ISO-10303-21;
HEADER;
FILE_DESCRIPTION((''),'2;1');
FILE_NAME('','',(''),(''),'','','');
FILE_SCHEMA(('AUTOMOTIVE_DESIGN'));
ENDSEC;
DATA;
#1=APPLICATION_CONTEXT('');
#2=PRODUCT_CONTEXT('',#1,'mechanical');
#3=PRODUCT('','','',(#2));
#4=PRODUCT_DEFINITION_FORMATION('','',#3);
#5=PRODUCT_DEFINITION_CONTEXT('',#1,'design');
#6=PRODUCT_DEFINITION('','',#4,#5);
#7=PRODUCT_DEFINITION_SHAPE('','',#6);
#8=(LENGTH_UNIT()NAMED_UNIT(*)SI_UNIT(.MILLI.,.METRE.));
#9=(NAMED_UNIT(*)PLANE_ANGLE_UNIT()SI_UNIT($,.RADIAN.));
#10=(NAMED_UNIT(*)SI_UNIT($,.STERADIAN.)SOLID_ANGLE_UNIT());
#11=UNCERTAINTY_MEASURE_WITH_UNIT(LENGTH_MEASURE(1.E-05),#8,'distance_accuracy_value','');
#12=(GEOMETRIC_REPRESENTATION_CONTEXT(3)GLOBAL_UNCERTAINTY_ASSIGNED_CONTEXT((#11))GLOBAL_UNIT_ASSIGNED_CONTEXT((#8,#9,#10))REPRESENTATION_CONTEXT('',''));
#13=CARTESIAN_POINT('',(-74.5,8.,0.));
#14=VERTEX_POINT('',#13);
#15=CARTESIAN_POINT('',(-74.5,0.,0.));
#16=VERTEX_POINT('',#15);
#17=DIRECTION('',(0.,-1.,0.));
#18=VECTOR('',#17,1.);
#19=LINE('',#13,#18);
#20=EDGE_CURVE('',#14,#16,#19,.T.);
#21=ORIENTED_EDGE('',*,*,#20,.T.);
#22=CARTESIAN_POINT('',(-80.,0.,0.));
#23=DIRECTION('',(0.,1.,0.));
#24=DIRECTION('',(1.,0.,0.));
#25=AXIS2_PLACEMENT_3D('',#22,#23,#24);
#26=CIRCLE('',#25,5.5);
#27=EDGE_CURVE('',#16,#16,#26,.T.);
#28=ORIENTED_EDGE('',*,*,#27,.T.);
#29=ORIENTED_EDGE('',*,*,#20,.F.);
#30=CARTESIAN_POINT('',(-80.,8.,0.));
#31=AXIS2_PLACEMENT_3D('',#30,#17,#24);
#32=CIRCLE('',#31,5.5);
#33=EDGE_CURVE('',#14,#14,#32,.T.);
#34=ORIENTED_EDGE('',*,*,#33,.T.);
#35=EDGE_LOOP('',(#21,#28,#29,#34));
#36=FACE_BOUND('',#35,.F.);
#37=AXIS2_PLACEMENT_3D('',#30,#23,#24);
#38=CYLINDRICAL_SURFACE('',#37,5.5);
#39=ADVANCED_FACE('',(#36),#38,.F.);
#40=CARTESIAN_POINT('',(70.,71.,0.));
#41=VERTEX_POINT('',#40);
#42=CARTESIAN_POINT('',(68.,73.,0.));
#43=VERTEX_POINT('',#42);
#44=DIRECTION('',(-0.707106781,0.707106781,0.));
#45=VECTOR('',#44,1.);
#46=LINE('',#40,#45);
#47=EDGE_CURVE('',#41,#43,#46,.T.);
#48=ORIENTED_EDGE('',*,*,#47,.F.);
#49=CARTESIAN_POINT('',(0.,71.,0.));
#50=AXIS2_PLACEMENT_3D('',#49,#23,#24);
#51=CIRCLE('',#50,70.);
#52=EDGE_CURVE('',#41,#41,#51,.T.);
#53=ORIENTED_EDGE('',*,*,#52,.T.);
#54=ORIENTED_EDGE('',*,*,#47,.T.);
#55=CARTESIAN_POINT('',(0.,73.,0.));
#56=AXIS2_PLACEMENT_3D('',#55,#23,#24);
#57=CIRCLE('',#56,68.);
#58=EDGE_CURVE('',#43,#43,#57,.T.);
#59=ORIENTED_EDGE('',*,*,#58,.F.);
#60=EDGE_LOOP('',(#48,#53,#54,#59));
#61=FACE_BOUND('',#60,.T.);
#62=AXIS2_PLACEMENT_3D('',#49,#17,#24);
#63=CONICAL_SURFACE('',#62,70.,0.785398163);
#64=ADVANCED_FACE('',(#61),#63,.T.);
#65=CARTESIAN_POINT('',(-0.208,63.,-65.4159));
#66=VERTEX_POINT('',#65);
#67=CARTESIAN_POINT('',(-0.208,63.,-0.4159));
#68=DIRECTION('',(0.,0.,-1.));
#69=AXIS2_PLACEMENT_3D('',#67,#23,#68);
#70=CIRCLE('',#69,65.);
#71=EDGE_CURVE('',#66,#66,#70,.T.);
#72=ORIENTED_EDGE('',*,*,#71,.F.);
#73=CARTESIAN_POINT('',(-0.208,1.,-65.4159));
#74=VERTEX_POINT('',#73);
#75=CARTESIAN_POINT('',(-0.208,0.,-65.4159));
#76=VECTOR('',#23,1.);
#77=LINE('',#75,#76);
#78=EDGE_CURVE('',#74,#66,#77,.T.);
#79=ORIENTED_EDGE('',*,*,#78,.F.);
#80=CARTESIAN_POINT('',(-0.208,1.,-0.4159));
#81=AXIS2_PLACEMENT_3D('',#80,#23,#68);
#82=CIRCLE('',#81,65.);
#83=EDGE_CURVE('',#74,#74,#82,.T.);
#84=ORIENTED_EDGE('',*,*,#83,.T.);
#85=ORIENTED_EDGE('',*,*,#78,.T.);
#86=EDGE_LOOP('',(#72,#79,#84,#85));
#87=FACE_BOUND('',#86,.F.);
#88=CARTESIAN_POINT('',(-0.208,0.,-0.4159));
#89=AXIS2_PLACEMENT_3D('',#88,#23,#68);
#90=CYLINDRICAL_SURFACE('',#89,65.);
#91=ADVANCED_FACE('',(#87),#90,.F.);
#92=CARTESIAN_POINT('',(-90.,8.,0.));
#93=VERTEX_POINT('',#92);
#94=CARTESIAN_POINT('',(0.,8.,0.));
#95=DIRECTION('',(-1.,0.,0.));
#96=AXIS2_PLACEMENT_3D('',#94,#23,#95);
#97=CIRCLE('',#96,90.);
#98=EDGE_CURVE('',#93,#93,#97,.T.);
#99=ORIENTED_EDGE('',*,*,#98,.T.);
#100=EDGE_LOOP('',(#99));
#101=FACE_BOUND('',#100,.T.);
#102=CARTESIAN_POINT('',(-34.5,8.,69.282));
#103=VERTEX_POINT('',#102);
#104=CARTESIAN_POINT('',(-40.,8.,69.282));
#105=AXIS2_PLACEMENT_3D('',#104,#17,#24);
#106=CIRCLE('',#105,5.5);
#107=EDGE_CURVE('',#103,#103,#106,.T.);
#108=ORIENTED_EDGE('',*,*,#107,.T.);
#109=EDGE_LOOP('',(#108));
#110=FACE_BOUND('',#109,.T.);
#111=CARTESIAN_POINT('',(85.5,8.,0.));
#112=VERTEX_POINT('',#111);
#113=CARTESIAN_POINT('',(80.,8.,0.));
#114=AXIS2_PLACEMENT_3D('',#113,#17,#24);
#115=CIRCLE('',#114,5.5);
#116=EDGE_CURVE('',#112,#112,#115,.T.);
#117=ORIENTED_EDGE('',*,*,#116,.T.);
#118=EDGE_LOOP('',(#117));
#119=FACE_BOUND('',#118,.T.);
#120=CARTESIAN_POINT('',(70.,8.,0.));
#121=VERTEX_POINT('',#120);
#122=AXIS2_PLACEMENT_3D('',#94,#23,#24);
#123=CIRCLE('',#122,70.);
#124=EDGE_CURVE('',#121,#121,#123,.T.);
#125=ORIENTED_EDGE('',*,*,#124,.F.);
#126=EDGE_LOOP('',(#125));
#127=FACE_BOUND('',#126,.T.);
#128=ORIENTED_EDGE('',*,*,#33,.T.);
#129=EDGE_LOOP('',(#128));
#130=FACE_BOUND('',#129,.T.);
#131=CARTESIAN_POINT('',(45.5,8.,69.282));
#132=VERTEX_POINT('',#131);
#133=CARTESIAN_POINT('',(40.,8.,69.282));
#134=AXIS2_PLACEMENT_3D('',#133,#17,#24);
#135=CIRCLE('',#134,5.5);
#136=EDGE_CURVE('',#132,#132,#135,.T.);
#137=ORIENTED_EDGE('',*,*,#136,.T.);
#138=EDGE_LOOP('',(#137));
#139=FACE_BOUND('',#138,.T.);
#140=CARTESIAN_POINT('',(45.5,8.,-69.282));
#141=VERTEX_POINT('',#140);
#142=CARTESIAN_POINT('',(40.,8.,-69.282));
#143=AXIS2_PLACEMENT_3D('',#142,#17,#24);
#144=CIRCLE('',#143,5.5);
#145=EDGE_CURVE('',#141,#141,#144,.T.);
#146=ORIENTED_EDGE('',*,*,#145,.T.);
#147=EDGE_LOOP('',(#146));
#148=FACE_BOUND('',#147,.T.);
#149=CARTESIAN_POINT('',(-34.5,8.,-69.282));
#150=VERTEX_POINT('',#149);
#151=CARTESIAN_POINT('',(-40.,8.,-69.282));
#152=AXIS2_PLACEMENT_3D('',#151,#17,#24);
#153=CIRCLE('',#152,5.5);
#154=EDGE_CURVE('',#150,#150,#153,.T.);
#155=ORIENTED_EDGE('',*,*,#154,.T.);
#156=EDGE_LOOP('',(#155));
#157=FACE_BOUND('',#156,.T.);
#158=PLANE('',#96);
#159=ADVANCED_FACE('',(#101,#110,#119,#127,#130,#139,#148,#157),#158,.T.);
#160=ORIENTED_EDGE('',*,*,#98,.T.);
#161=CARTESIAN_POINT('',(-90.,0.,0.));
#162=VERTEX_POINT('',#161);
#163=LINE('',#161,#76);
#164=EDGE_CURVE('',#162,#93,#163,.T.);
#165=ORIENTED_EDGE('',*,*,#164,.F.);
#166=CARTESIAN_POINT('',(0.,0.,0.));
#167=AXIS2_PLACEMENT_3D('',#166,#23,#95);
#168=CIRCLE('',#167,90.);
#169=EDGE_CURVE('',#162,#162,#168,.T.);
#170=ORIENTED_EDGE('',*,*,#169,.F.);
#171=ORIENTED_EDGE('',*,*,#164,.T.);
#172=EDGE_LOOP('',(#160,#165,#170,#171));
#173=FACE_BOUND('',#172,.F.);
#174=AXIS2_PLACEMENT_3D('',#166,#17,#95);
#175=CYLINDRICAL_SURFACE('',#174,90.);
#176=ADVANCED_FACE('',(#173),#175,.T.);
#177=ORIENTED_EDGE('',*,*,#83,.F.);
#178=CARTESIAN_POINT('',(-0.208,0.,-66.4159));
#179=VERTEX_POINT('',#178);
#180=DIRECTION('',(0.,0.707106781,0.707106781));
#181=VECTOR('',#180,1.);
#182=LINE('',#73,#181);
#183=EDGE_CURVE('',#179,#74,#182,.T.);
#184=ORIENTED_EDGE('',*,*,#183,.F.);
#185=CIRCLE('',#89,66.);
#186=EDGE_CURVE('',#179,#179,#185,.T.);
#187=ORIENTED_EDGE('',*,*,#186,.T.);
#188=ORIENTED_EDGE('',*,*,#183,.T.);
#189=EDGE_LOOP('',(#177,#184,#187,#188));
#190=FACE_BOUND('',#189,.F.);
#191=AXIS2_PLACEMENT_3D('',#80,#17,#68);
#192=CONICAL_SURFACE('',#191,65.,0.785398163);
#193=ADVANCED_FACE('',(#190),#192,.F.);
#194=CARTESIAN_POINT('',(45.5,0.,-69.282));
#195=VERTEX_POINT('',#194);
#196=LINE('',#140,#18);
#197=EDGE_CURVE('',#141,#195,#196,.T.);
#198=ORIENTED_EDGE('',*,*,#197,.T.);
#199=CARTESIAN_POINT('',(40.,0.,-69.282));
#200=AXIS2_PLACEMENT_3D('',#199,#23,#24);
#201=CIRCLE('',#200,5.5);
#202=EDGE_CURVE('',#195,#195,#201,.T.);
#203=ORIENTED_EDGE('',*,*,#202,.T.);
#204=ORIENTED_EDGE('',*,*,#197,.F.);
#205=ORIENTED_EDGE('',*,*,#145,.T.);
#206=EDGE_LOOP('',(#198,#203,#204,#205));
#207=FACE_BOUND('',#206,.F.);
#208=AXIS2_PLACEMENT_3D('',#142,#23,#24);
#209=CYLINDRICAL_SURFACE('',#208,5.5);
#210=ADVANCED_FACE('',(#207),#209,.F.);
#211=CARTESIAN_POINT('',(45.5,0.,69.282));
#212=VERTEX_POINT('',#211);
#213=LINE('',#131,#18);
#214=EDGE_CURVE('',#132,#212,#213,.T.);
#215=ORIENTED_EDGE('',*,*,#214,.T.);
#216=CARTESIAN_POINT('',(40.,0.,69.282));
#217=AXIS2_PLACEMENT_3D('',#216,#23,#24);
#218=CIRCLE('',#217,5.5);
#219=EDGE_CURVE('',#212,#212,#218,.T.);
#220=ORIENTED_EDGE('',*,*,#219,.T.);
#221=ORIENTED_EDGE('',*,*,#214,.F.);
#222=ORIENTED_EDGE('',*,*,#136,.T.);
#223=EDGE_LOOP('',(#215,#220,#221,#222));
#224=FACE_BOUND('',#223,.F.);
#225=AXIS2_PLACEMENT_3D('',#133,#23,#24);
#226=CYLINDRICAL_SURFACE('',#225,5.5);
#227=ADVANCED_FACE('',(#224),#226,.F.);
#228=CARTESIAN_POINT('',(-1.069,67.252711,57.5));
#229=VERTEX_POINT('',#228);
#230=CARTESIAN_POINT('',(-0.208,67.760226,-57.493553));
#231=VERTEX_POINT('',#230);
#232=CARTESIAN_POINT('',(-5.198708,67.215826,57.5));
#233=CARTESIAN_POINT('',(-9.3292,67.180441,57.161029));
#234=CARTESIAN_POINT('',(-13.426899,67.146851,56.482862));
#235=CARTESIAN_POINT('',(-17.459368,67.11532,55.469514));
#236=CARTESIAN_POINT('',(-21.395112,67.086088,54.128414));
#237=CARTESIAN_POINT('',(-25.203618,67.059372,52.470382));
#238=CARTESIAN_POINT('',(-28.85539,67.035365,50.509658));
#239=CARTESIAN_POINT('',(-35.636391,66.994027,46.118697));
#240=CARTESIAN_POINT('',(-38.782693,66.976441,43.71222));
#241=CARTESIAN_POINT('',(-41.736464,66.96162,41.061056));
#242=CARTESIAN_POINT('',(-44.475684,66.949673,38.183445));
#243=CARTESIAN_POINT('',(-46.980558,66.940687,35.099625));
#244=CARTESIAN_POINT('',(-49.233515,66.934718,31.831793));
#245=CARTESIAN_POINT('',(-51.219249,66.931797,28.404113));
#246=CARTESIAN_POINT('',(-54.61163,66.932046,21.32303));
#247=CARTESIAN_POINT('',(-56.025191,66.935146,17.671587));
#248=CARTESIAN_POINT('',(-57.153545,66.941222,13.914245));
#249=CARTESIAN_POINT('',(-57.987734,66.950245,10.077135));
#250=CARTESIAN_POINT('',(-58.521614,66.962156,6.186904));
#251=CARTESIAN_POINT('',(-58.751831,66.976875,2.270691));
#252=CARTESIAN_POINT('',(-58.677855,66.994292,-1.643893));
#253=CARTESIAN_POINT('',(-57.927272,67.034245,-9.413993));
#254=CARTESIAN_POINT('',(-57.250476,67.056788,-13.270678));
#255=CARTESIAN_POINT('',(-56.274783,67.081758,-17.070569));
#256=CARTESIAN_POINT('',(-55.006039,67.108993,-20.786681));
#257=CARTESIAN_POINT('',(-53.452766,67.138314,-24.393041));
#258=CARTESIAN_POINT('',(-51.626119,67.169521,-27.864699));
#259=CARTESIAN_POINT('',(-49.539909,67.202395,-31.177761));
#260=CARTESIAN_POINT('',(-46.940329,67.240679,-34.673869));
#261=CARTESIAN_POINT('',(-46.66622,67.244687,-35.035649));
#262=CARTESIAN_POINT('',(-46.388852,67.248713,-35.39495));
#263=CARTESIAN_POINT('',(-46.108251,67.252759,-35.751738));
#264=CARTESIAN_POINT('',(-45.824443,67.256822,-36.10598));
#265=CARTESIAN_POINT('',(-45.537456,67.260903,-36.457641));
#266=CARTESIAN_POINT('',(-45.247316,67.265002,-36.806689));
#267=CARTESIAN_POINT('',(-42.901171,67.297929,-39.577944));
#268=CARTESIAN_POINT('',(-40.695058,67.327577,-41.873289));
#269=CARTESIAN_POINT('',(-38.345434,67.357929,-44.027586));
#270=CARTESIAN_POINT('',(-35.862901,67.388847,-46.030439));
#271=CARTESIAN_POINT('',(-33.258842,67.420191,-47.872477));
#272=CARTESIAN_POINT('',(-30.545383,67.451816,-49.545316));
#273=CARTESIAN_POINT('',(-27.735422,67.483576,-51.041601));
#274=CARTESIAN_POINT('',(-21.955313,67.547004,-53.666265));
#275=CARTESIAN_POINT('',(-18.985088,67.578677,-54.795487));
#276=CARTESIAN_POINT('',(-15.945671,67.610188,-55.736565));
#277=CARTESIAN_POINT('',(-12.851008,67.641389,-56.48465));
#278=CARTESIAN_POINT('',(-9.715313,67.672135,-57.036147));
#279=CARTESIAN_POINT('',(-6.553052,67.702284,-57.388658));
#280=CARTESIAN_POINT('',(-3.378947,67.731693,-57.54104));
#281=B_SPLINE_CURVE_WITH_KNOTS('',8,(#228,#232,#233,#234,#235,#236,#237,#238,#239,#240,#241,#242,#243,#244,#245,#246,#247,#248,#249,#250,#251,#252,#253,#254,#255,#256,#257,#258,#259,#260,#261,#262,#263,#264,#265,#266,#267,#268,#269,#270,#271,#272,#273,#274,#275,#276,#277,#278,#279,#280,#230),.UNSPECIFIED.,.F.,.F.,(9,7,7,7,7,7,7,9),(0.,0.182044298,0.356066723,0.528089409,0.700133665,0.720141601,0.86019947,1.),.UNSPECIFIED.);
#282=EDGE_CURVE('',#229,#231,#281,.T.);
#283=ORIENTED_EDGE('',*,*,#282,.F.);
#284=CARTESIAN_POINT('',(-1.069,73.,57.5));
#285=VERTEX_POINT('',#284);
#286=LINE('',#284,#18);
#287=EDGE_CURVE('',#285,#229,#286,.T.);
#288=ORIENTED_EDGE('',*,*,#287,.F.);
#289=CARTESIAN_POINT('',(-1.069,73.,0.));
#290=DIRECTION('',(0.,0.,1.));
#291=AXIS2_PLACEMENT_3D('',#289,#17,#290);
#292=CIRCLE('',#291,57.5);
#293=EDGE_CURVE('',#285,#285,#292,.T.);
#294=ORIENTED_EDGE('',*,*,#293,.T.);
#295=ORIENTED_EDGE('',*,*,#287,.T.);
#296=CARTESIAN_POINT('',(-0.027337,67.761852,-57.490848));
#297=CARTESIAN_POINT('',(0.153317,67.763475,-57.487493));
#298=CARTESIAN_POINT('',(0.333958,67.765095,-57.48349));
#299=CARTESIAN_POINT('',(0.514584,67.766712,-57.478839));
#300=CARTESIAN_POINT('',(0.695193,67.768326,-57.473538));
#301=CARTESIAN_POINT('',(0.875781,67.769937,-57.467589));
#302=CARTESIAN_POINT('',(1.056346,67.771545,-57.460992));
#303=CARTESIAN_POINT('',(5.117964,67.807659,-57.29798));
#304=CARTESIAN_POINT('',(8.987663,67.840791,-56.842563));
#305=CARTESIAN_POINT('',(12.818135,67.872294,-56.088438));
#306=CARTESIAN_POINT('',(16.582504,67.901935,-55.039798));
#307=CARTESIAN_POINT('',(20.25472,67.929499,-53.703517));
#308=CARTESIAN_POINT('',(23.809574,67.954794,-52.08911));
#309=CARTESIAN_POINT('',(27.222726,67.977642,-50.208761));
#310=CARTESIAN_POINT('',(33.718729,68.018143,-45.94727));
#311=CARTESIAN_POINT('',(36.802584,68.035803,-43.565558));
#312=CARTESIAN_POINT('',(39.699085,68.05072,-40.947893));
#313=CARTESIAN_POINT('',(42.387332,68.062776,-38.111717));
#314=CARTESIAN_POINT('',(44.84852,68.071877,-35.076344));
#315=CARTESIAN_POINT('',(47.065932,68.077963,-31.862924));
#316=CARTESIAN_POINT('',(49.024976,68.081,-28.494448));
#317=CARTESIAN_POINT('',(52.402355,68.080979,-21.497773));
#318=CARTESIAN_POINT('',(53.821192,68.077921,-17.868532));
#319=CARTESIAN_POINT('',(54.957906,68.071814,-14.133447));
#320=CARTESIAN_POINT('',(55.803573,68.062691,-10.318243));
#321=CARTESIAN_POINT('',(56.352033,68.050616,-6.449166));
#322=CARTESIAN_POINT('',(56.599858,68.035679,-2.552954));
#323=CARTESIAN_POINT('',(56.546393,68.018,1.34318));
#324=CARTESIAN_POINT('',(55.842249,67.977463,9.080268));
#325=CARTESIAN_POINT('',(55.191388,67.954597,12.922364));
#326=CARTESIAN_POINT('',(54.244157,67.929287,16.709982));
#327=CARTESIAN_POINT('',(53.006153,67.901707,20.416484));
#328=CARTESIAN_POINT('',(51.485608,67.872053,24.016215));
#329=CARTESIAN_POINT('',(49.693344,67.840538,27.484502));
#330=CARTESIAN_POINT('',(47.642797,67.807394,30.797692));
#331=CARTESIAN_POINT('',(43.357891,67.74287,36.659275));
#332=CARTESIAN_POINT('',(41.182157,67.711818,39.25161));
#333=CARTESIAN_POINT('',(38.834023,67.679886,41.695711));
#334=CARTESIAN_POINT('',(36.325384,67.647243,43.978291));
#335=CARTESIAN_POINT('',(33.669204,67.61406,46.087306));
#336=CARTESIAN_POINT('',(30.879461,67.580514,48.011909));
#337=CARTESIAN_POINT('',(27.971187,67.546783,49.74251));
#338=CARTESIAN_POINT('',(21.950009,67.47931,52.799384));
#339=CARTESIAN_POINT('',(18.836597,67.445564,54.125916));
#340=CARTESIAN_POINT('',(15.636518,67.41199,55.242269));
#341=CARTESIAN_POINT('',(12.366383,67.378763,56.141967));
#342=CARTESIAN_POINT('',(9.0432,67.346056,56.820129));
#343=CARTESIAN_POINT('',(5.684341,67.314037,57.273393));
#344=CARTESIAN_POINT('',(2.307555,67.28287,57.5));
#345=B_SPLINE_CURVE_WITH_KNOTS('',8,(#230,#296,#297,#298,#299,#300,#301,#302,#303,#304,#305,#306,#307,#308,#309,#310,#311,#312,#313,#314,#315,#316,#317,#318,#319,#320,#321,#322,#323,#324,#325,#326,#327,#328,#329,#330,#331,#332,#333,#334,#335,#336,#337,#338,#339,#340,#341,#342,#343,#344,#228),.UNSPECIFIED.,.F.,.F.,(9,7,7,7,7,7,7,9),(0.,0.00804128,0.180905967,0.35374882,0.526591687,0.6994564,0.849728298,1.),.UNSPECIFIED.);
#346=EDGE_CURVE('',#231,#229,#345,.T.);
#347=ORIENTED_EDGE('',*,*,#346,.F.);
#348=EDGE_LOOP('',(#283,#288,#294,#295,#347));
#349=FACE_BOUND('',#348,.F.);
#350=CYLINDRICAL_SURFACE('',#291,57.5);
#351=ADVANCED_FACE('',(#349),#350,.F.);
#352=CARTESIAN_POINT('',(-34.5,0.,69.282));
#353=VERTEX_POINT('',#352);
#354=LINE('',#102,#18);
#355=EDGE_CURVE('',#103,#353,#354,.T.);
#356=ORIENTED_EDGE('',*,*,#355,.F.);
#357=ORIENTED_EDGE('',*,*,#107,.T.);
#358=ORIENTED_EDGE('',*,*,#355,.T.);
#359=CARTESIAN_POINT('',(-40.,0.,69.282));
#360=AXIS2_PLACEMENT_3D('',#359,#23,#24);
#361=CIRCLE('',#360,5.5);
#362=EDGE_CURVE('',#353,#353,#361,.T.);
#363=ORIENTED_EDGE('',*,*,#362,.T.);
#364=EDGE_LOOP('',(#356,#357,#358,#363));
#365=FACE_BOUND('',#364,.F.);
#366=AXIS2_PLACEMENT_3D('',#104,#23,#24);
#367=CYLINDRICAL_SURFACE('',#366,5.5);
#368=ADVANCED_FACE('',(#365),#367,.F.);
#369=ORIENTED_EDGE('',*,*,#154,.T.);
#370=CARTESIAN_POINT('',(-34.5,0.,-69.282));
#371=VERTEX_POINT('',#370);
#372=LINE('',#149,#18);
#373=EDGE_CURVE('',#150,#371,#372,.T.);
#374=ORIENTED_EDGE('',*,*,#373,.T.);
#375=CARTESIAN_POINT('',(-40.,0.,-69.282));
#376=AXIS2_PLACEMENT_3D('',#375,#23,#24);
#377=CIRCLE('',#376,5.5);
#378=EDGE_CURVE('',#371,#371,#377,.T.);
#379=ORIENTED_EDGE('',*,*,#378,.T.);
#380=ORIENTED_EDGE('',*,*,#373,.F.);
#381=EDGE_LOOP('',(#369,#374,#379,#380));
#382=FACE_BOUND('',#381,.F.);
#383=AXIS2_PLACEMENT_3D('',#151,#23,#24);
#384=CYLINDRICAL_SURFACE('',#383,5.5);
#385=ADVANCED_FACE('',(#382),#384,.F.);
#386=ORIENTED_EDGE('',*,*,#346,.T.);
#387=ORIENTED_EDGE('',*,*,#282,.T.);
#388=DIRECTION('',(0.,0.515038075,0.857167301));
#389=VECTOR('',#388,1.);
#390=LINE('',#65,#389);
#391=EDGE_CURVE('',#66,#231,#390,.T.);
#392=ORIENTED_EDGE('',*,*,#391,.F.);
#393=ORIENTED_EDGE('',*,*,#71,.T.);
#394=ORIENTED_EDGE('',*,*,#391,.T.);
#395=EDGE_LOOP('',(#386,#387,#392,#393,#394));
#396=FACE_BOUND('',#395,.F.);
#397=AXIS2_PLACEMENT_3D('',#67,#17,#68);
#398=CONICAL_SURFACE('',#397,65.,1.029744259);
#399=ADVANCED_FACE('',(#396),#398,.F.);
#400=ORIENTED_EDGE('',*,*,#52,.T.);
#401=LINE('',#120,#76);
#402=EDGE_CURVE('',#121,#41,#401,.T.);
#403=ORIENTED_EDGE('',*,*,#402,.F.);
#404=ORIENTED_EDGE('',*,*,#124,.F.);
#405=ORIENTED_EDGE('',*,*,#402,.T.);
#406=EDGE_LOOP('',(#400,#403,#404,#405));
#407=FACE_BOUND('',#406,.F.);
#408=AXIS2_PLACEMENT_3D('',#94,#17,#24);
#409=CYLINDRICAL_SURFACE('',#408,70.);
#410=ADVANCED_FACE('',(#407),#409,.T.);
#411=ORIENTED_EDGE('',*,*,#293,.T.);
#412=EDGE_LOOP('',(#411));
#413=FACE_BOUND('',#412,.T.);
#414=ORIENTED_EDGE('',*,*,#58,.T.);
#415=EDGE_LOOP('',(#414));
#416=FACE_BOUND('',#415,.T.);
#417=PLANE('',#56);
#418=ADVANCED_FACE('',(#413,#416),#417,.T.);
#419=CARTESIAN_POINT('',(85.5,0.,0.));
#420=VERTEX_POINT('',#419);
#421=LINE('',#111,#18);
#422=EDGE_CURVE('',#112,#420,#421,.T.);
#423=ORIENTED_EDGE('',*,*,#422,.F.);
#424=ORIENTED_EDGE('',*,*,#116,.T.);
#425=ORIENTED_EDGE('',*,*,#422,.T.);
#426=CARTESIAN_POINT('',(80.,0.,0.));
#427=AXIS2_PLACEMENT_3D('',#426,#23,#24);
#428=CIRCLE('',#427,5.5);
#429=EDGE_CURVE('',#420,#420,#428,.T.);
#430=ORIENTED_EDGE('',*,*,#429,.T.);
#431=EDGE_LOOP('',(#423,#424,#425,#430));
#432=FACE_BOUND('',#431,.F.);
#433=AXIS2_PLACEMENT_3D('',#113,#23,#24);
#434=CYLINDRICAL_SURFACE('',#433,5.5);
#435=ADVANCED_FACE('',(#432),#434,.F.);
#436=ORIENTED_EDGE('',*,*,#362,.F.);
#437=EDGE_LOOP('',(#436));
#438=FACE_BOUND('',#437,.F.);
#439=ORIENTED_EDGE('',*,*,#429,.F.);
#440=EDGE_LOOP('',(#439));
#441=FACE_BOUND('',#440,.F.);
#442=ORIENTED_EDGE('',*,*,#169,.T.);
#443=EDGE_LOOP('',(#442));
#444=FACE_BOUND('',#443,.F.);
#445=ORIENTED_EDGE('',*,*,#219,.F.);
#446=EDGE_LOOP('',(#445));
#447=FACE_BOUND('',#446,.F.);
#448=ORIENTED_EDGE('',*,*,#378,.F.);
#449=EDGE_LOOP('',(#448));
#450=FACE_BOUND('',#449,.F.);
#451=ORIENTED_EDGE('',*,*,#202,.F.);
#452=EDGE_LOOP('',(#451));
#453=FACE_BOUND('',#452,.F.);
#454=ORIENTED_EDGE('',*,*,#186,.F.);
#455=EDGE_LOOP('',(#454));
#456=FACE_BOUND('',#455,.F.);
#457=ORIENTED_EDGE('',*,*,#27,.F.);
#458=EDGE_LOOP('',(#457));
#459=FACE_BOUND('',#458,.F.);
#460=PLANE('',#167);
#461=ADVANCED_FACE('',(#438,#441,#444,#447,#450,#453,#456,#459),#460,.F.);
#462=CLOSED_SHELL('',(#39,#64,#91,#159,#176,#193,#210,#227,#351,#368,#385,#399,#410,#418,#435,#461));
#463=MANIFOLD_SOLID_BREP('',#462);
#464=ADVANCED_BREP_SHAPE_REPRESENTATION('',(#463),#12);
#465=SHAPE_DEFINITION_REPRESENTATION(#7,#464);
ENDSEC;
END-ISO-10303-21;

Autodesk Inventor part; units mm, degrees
ref_plane "YZ Plane" through (0, 0, 0) normal (1, 0, 0) x (0, 1, 0)
ref_plane "XZ Plane" through (0, 0, 0) normal (0, 1, 0) x (-1, 0, 0)
ref_plane "XY Plane" through (0, 0, 0) normal (0, 0, 1) x (1, 0, 0)
sketch "Эскиз1" plane through (0, 0, 0) normal (0, 1, 0) x (-1, 0, 0)
  circle A0 centre (0, 0) radius 90
  dimension "d0" = 180
extrude "Выдавливание1" add sketch "Эскиз1" along normal blind 8
sketch "Эскиз2" plane through (0, 8, 0) normal (0, 1, 0) x (1, 0, 0)
  circle A0 centre (0, 0) radius 70
  dimension "d3" = 140
extrude "Выдавливание2" add sketch "Эскиз2" along normal blind 65
hole "Отверстие1" at (-1.069, 73, 0) direction (0, -1, 0) diameter 115 depth 10 tip angle 118
hole "Отверстие2" at (-0.208, 0, -0.4159) direction (0, 1, 0) diameter 130 depth 63 tip angle 118
chamfer "Фаска1" distance 2 angle 45 1 edges at (-70, 73, 0)
chamfer "Фаска2" distance 1 angle 45 1 edges at (-0.208, 0, 64.5841)
sketch "Эскиз3" plane through (0, 8, 0) normal (0, 1, 0) x (1, 0, 0)
  circle A0 centre (0, 0) radius 80
  circle A1 centre (80, 0) radius 5.5
  circle A2 centre (40, -69.282) radius 5.5
  circle A3 centre (-40, -69.282) radius 5.5
  circle A4 centre (-80, 0) radius 5.5
  circle A5 centre (-40, 69.282) radius 5.5
  circle A6 centre (40, 69.282) radius 5.5
  dimension "d30" = 160
  dimension "d31" = 11
  dimension "d34" = 360
extrude "Выдавливание3" cut sketch "Эскиз3" against normal blind 100 contours A0 A1 | A0 A1 | A6 A0 | A0 A6 | A2 A0 | A0 A2 | A5 A0 | A0 A5 | A3 A0 | A0 A3 | A4 A0 | A0 A4
sketch "Эскиз4" plane through (0, 0, 0) normal (0, -1, 0) x (1, 0, 0)
  point P0 (0, 0)
